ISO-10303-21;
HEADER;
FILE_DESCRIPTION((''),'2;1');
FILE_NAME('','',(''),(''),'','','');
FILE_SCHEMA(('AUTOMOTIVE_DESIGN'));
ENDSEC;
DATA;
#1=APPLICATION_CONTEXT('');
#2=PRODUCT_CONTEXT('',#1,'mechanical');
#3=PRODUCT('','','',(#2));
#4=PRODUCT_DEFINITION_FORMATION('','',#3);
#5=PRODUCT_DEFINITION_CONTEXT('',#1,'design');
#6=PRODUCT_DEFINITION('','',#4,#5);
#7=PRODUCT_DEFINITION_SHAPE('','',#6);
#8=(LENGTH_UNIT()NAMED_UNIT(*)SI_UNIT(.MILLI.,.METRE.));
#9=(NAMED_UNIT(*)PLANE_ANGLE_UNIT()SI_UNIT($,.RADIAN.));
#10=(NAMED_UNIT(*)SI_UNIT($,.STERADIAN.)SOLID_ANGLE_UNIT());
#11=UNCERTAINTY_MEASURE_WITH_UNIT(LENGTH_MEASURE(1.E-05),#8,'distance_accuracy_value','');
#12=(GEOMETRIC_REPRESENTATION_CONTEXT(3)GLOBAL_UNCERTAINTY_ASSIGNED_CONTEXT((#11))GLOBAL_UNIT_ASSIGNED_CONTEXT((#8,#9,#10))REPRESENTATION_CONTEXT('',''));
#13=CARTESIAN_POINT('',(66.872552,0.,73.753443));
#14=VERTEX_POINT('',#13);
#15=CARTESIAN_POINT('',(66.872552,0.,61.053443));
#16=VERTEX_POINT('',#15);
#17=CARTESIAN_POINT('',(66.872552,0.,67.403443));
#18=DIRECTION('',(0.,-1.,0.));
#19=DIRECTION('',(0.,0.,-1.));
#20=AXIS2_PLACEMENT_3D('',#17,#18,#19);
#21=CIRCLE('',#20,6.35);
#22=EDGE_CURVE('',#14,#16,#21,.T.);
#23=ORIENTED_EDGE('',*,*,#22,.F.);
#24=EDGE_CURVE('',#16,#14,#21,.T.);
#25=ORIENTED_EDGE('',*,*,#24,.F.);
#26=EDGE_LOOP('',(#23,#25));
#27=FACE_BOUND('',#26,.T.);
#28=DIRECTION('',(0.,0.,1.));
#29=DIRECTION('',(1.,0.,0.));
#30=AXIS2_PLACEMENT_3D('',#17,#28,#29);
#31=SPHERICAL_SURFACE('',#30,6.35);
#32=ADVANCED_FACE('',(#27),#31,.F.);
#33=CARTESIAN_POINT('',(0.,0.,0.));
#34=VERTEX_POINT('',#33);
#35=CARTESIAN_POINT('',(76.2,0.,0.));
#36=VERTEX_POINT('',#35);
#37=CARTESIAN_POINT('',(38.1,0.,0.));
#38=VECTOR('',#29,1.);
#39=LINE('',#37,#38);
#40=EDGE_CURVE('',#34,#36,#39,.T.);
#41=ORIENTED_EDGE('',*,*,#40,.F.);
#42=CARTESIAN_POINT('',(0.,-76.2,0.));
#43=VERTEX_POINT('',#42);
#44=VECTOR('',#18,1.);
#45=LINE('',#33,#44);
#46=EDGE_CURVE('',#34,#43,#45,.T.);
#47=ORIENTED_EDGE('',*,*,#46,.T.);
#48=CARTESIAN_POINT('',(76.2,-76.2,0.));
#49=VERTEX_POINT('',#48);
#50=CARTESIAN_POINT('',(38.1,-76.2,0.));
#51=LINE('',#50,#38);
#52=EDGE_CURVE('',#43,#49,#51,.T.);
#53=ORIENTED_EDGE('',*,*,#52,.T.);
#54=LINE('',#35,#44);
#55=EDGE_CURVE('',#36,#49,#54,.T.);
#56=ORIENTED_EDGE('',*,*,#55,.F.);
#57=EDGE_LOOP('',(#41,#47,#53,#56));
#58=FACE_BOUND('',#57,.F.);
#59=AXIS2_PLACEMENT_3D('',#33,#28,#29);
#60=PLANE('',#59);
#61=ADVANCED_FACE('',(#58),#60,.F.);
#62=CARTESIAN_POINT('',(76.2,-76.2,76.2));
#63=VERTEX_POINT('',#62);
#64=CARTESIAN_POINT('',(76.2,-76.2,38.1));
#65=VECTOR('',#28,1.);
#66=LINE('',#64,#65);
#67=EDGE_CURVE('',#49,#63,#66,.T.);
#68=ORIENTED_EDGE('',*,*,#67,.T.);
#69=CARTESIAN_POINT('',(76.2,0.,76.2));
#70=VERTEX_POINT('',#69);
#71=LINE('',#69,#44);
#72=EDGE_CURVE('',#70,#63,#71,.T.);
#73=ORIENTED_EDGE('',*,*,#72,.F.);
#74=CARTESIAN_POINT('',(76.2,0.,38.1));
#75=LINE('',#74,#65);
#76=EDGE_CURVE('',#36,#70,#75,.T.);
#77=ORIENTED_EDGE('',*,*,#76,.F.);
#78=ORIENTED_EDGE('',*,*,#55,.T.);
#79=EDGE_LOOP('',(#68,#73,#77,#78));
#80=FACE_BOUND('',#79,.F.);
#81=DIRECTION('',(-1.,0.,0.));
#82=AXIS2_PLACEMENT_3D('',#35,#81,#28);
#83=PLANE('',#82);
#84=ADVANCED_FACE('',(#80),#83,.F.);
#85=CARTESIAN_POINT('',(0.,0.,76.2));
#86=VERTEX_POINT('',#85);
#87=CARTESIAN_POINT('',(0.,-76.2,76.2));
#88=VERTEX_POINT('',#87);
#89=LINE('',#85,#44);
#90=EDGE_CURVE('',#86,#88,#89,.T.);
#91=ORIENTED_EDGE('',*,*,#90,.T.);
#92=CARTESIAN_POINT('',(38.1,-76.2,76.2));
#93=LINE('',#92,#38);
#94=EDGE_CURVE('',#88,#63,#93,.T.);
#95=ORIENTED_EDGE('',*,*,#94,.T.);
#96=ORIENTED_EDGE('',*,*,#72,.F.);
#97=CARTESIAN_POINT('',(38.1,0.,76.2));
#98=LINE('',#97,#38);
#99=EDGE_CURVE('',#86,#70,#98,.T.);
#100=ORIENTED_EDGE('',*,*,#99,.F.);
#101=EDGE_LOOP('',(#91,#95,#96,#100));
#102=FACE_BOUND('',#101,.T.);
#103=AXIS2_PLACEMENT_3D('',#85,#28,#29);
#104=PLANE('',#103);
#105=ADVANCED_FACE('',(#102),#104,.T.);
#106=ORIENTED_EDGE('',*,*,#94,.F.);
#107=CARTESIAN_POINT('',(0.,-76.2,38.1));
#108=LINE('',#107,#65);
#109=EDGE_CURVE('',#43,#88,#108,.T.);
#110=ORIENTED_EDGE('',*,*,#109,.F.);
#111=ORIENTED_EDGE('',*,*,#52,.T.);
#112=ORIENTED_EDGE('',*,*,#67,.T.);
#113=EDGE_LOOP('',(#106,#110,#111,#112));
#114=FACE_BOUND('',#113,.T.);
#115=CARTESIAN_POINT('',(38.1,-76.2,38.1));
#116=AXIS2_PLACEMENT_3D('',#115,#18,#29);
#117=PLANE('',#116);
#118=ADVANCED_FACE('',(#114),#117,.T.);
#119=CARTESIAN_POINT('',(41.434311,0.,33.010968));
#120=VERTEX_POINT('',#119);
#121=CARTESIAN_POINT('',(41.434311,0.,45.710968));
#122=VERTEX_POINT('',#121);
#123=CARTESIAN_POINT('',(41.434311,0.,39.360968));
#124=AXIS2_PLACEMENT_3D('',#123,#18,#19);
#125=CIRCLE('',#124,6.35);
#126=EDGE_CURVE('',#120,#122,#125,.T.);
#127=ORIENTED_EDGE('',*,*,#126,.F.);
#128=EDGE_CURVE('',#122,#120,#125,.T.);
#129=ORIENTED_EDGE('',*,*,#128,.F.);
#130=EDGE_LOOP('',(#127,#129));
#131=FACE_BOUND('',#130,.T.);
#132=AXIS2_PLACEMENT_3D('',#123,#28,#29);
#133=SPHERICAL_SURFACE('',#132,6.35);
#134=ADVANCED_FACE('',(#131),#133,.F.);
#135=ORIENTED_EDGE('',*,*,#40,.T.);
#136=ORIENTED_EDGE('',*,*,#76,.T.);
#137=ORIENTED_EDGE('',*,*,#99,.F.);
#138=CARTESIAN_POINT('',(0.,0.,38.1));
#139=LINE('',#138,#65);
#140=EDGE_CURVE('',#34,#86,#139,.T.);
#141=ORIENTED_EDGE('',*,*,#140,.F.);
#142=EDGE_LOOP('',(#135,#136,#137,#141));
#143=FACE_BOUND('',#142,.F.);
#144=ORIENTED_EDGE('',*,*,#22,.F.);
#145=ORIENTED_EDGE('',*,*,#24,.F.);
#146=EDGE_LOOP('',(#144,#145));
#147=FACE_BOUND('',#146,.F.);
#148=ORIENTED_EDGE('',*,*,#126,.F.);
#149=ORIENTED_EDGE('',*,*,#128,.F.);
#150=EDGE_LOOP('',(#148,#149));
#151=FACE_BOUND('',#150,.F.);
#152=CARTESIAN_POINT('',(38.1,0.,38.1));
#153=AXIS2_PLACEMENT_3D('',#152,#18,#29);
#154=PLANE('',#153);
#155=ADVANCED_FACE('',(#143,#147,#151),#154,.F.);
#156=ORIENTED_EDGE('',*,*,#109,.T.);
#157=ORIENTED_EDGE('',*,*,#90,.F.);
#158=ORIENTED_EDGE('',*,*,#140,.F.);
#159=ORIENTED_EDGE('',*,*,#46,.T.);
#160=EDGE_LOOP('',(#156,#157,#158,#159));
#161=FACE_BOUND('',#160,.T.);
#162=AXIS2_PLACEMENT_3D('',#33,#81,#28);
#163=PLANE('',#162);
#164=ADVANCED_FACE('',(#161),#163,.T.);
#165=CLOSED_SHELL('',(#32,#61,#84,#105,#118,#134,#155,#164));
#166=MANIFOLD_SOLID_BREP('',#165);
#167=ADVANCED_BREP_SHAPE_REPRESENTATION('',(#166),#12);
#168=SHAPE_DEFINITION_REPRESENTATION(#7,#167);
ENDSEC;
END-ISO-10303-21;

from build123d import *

# Parameters (mm, degrees)
F0_W     = 76.2
F0_H     = 76.2
F1_DEPTH = 76.2


with BuildPart() as f1:
    # F0 (on Front) → F1 (new body)
    with BuildSketch(Plane.XZ):
        with Locations((38.1, 38.1)):
            Rectangle(F0_W, F0_H)
    extrude(amount=F1_DEPTH)

    # F2 (on face) → F3 (revolve, cut)
    with BuildSketch(Plane.XZ):
        with BuildLine():
            Line((66.872552, 73.753443), (66.872552, 61.053443))
            ThreePointArc((66.872552, 61.053443), (73.222552, 67.403443), (66.872552, 73.753443))
        make_face()
    revolve(axis=Axis((66.872552, 0, 38.640488), (0, 0, -1)), mode=Mode.SUBTRACT)

    # F4 (on face) → F5 (revolve, cut)
    with BuildSketch(Plane.XZ):
        with BuildLine():
            Line((41.434311, 45.710968), (41.434311, 33.010968))
            ThreePointArc((41.434311, 33.010968), (47.784311, 39.360968), (41.434311, 45.710968))
        make_face()
    revolve(axis=Axis((41.434311, 0, 37.213955), (0, 0, -1)), mode=Mode.SUBTRACT)


solid = f1.part
